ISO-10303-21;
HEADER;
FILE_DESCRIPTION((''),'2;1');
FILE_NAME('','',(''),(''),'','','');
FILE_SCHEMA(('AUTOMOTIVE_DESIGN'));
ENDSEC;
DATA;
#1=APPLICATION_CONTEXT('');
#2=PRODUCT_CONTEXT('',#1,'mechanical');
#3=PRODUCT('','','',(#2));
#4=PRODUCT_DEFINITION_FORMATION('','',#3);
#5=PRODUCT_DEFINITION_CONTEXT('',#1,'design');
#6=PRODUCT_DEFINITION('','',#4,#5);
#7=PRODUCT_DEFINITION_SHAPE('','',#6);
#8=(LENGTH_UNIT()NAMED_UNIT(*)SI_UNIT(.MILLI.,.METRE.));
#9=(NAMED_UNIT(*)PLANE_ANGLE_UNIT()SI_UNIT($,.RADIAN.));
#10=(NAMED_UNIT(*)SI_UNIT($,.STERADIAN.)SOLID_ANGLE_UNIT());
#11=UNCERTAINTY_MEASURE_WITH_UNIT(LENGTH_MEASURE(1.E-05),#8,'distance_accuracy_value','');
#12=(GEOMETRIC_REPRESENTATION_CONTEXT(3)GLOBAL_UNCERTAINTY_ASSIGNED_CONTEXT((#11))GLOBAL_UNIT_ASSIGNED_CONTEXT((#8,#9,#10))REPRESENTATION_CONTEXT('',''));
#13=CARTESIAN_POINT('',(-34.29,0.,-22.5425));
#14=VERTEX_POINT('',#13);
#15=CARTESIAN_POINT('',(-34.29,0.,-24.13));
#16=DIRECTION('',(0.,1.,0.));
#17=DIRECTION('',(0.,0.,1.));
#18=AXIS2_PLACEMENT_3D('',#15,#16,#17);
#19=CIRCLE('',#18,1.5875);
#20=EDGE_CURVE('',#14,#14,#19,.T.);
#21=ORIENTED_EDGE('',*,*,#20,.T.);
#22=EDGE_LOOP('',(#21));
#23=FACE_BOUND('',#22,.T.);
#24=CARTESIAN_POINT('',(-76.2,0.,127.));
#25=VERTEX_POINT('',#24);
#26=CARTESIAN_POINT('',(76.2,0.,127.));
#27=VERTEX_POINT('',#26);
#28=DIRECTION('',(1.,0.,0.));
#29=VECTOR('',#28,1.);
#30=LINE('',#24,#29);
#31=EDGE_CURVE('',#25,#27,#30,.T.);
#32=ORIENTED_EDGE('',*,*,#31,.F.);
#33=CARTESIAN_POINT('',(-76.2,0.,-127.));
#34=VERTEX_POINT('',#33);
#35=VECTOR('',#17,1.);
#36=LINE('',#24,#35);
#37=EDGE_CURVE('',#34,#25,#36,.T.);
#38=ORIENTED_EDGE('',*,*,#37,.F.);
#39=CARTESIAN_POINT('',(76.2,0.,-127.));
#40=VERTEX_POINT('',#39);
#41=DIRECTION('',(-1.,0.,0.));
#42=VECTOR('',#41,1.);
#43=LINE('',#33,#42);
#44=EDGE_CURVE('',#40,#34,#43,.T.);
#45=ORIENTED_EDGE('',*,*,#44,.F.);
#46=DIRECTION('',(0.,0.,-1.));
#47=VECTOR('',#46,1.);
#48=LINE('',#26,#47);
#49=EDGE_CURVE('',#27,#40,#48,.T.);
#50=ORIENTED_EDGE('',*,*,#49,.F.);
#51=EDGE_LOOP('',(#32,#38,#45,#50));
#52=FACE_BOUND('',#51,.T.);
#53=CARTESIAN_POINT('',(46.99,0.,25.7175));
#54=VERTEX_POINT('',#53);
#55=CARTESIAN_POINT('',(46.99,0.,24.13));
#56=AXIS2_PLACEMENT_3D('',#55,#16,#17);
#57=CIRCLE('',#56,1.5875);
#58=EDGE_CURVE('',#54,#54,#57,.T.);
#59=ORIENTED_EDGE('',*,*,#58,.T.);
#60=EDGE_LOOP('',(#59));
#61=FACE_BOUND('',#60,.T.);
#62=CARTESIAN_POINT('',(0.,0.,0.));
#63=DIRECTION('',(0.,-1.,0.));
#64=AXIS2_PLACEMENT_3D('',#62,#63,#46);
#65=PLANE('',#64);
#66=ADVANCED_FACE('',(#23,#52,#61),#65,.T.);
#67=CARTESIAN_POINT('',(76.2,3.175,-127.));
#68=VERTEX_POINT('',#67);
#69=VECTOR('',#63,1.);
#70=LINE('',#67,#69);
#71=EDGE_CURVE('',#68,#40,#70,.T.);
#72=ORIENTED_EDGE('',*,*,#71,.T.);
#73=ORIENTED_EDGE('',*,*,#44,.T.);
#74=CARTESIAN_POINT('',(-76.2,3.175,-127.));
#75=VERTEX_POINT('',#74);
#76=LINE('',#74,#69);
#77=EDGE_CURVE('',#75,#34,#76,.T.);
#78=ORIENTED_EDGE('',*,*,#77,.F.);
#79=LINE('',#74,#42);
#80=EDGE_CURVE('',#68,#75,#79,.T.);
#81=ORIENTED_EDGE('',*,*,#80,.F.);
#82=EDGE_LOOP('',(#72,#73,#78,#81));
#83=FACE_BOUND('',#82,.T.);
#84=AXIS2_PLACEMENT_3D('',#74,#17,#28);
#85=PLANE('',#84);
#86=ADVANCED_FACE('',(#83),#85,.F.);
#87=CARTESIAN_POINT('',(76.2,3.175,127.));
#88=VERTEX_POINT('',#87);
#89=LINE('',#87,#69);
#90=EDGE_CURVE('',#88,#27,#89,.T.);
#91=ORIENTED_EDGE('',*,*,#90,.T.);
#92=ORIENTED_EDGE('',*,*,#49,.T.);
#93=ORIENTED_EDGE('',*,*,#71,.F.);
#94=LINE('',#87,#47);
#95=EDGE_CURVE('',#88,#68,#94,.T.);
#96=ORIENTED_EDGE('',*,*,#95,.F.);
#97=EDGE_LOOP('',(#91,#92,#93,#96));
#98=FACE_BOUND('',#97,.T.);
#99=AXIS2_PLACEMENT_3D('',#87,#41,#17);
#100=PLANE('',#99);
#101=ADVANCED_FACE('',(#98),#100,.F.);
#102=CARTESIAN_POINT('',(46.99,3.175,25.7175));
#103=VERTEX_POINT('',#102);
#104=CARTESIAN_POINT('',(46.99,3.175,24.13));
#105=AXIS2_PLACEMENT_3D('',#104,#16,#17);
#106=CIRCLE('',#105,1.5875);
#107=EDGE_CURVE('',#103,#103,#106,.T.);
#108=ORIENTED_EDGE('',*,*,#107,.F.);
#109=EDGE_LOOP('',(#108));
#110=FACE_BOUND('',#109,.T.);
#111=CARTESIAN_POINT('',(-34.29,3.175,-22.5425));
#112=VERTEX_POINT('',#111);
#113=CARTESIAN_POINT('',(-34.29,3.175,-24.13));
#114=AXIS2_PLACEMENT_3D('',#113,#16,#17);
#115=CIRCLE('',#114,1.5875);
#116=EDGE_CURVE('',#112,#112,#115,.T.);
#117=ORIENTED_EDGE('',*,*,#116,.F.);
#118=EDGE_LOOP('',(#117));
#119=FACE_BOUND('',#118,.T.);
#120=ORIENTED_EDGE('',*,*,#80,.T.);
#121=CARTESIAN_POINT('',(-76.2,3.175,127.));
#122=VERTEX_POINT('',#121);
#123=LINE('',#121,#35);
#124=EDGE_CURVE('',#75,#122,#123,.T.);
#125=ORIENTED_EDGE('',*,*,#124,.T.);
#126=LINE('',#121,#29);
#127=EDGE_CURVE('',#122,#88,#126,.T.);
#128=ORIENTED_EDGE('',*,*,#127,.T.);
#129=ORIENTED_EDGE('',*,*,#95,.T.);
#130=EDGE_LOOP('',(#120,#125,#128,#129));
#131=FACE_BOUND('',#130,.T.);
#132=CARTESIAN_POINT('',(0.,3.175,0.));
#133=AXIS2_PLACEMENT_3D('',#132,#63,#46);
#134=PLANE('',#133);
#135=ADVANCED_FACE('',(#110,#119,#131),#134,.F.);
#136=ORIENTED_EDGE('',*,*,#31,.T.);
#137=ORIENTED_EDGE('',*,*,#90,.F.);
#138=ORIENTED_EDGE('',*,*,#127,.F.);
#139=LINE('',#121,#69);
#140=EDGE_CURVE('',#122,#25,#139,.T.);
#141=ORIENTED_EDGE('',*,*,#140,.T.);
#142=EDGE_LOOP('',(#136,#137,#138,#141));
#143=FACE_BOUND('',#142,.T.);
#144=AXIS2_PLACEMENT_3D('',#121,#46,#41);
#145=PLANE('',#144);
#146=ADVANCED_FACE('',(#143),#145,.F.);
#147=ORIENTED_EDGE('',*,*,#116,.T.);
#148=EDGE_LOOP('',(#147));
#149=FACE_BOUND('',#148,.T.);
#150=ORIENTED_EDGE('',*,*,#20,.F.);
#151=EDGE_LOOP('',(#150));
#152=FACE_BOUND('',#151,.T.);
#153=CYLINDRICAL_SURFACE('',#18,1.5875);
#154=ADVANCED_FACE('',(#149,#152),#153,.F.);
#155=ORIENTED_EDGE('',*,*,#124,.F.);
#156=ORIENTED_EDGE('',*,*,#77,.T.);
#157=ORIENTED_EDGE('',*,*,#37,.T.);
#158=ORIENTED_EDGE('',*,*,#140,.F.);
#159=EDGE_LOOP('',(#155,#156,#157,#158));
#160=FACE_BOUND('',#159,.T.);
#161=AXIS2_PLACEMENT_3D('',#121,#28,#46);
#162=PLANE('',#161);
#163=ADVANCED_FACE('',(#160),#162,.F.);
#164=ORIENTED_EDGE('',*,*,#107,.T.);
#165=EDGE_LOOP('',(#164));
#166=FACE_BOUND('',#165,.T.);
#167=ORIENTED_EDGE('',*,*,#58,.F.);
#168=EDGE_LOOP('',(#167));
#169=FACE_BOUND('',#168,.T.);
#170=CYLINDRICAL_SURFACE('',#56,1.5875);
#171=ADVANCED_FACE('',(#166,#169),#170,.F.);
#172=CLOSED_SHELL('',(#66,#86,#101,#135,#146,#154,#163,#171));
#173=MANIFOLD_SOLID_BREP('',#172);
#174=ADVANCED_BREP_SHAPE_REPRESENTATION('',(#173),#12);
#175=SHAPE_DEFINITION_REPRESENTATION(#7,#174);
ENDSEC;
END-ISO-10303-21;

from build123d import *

# Parameters (mm, degrees)
SKETCH1_W           = 152.4
SKETCH1_H           = 254
BOSS_EXTRUDE1_DEPTH = 3.175
SKETCH4_R           = 1.5875
CUT_EXTRUDE1_DEPTH  = 149.140205971


with BuildPart() as part:
    # Sketch1 → Boss-Extrude1 (new body)
    with BuildSketch(Plane(origin=(0, 0, 0), x_dir=(1, 0, 0), z_dir=(0, 1, 0))):
        Rectangle(SKETCH1_W, SKETCH1_H)
    extrude(amount=BOSS_EXTRUDE1_DEPTH)

    # Sketch4 → Cut-Extrude1 (cut, through all)
    with BuildSketch(Plane(origin=(0, 3.175, 0), x_dir=(1, 0, 0), z_dir=(0, 1, 0))):
        with Locations(Location((-34.29, 24.13, 0), (0, 0, 270))):
            Circle(SKETCH4_R)
        with Locations(Location((46.99, -24.13, 0), (0, 0, 270))):
            Circle(SKETCH4_R)
    extrude(amount=-CUT_EXTRUDE1_DEPTH, mode=Mode.SUBTRACT)


solid = part.part
